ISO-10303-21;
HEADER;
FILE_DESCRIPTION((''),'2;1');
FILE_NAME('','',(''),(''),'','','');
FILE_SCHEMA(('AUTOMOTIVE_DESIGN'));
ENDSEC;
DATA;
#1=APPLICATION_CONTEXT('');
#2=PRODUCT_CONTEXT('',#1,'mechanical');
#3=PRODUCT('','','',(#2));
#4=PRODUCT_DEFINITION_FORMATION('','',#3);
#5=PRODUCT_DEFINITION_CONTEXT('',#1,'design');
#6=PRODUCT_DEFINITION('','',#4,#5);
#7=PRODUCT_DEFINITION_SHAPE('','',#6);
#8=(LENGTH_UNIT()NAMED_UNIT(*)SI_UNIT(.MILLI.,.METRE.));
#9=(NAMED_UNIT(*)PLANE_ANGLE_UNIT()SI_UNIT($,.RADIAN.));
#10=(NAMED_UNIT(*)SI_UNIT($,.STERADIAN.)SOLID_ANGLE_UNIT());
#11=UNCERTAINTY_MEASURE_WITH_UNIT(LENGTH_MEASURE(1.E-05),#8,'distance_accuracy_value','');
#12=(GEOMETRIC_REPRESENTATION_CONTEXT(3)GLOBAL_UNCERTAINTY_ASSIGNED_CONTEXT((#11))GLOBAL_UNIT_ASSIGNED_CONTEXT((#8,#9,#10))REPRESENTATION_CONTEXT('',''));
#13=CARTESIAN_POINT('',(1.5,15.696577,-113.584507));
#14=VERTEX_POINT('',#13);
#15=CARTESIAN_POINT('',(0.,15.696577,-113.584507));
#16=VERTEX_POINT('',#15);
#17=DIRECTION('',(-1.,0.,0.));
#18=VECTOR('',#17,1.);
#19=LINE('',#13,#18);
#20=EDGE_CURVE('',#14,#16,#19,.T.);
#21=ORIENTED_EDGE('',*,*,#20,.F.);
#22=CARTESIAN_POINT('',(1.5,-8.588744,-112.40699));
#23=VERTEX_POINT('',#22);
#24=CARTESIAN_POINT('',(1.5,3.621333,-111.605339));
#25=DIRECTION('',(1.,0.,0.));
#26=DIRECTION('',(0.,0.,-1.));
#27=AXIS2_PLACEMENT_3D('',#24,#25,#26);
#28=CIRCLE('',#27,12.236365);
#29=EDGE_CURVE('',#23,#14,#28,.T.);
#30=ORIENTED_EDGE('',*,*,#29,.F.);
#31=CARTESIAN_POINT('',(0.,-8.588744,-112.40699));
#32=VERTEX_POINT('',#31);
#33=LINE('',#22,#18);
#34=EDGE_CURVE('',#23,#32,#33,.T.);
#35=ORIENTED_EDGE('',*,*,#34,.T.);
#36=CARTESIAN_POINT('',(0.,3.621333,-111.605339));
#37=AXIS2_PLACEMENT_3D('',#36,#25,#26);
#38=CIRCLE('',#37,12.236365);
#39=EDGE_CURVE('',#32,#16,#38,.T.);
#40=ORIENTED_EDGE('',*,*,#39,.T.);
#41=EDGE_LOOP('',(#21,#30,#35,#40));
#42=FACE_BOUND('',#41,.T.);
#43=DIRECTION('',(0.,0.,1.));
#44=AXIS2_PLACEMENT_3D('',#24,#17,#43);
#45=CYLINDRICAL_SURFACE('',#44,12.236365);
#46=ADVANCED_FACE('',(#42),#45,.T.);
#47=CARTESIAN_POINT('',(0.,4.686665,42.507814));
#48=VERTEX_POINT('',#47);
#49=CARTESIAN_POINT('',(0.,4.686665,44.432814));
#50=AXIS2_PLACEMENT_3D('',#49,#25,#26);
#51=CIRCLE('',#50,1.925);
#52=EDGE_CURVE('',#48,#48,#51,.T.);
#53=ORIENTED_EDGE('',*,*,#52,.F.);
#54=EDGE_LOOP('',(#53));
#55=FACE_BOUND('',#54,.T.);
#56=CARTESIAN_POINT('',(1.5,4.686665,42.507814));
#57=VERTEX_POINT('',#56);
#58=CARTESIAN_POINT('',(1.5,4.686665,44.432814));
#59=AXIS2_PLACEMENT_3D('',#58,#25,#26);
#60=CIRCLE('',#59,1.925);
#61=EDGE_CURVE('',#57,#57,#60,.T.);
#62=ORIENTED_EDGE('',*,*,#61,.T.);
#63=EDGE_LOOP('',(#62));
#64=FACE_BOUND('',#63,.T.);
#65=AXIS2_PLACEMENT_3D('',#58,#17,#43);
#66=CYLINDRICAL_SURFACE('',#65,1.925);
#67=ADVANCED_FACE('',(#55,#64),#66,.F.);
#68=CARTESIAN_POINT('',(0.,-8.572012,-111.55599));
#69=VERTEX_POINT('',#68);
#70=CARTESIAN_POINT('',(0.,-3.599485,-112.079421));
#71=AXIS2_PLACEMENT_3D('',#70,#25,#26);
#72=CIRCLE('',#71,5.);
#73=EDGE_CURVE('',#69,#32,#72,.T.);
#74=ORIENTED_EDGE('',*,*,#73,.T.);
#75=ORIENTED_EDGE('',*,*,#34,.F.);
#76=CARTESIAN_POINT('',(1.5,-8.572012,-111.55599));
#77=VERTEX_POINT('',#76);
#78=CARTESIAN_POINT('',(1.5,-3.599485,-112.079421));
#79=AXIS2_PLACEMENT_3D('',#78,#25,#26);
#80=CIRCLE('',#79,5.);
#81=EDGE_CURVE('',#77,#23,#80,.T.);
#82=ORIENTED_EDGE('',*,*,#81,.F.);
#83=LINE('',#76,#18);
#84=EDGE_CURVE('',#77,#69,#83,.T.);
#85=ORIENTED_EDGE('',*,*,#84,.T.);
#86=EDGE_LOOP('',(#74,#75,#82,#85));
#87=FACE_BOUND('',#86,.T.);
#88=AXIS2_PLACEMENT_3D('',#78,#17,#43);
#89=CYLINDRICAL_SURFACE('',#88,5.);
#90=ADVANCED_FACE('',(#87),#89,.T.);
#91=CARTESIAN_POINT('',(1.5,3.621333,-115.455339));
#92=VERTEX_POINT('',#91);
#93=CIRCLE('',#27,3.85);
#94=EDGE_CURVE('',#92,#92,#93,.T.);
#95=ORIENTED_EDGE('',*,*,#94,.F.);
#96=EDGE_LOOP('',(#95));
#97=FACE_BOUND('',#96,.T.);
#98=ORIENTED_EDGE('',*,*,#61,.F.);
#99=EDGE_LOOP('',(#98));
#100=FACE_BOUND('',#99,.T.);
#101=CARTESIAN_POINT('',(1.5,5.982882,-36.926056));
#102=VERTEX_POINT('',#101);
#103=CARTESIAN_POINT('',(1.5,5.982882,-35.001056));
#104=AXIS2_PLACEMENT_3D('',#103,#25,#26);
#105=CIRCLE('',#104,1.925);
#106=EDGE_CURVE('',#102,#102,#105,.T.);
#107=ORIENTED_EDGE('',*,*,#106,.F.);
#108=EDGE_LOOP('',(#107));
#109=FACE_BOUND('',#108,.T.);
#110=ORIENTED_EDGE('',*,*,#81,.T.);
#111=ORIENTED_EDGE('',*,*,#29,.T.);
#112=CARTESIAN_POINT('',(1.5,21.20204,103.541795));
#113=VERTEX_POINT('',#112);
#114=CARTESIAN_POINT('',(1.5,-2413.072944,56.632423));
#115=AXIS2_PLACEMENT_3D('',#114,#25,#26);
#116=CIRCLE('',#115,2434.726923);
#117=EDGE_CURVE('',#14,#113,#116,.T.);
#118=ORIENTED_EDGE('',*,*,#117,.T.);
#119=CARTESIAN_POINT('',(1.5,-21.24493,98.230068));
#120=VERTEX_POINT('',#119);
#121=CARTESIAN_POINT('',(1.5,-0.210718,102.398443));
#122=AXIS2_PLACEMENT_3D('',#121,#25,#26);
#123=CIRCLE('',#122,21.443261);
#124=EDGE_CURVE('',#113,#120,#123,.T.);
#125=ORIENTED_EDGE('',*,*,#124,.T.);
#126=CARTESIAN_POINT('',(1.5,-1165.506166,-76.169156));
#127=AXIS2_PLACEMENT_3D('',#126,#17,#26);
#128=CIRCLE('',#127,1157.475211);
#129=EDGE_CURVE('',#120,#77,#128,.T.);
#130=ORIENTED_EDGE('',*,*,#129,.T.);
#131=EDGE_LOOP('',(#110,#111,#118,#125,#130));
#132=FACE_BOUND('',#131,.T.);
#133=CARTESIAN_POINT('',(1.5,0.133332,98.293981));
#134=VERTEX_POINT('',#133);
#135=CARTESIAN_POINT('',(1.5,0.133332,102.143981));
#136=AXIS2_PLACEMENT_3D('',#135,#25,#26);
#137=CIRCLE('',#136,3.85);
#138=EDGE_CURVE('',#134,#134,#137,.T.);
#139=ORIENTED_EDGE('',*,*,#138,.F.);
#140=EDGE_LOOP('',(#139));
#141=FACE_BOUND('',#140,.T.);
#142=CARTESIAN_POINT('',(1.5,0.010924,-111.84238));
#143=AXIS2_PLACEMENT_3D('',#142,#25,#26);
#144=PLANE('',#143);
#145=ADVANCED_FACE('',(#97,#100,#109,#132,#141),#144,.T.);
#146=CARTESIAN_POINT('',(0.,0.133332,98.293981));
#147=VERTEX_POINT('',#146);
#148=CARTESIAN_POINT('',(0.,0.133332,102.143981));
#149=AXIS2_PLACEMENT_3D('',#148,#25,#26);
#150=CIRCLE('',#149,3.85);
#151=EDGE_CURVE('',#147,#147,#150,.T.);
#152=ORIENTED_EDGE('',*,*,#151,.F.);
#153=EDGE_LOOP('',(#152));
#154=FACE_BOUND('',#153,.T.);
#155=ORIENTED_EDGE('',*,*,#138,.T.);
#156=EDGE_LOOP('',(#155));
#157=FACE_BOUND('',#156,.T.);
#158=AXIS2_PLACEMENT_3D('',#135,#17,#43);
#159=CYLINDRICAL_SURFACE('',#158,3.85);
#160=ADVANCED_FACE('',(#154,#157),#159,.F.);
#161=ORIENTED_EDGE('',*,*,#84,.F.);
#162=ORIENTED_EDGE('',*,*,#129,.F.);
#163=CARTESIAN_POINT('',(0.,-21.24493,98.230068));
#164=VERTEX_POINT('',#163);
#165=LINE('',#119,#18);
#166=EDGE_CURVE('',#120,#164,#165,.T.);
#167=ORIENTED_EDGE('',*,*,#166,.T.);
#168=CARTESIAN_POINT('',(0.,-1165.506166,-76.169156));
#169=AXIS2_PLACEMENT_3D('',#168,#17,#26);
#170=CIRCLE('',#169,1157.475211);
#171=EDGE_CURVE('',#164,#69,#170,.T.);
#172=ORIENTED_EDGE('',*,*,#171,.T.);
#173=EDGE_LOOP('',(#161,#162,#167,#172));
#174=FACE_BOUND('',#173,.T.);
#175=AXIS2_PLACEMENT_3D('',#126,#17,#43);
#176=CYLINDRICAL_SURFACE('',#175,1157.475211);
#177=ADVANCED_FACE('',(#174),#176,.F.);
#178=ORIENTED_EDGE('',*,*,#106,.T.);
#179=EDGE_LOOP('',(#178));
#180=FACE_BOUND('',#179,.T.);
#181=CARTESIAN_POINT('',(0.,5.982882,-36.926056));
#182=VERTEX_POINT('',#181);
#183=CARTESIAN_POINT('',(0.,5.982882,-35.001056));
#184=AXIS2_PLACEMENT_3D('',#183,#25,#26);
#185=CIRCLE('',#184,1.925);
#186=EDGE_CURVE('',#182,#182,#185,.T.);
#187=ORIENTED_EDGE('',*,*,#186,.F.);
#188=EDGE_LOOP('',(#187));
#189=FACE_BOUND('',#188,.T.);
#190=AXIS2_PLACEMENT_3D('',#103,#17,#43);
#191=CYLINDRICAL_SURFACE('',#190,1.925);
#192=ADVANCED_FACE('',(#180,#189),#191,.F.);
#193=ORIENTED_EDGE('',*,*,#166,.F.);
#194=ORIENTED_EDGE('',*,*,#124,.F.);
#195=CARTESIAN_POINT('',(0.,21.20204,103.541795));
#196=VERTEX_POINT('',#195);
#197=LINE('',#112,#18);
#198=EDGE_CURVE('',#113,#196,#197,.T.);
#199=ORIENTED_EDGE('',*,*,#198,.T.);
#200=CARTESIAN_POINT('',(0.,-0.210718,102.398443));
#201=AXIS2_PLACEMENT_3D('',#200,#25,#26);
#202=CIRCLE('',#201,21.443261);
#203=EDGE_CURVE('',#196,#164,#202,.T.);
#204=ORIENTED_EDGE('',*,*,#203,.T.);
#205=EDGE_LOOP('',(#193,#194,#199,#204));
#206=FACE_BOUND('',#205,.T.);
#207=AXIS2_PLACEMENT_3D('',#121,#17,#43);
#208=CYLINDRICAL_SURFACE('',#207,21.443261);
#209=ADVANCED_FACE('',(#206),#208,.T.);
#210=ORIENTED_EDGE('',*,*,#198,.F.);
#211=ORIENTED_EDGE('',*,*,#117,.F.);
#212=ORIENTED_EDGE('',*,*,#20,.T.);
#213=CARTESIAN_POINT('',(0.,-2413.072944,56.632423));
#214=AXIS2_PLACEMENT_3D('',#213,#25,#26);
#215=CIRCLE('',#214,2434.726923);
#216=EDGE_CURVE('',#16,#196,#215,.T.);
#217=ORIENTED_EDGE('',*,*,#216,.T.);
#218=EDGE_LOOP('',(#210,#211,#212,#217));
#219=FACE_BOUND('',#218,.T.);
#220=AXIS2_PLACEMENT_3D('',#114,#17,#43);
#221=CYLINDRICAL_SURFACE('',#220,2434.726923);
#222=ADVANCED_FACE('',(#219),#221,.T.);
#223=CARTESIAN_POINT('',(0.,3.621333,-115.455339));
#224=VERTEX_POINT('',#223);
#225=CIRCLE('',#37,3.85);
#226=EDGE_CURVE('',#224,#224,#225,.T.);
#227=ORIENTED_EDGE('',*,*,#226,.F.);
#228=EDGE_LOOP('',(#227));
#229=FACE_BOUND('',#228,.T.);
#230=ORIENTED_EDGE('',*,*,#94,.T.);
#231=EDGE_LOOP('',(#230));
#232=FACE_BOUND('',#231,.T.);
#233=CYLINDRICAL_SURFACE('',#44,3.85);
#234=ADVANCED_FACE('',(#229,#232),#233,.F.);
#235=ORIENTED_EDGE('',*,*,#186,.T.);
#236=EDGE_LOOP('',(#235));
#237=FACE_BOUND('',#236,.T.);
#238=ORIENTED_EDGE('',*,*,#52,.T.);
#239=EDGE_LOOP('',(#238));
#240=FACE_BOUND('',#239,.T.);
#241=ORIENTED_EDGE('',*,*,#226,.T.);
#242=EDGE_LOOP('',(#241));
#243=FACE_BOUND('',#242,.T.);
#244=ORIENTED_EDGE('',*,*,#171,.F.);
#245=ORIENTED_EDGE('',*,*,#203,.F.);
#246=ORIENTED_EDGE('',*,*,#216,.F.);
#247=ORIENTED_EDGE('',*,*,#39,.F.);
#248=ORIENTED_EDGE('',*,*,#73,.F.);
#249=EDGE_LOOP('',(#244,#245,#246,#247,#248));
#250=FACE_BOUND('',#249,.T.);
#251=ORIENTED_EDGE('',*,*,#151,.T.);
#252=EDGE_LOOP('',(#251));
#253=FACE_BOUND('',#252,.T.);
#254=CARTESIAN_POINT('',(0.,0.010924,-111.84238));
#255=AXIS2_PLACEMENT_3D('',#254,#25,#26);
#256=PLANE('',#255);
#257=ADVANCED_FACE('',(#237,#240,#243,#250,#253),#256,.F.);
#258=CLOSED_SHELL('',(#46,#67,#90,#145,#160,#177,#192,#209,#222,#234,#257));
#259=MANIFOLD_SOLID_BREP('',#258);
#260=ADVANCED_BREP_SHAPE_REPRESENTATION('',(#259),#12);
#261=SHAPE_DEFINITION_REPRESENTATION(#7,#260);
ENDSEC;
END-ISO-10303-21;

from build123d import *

# Parameters (mm, degrees)
SKETCH_1_R      = 3.85
SKETCH_1_R_2    = 1.925
EXTRUDE_1_DEPTH = 1.5


with BuildPart() as part:
    # 草圖1 → 填料-伸長1 (new body)
    with BuildSketch(Plane(origin=(0, 0, 0), x_dir=(0, 0, -1), z_dir=(1, 0, 0))):
        with BuildLine():
            ThreePointArc((111.555989952, -8.572011863), (6.374730125, -10.137132711), (-98.230068302, -21.244930328))
            ThreePointArc((-98.230068302, -21.244930328), (-123.67575498, -2.873316644), (-103.541794939, 21.20204032))
            ThreePointArc((-103.541794939, 21.20204032), (5.082777822, 20.871677912), (113.584507189, 15.696576829))
            ThreePointArc((113.584507189, 15.696576829), (123.827345593, 3.028727453), (112.406990492, -8.588743688))
            ThreePointArc((112.406990492, -8.588743688), (111.981133536, -8.59851924), (111.555989952, -8.572011863))
        make_face()
        with Locations((-102.143981395, 0.133331517)):
            Circle(SKETCH_1_R, mode=Mode.SUBTRACT)
        with Locations((35.001055541, 5.982881827)):
            Circle(SKETCH_1_R_2, mode=Mode.SUBTRACT)
        with Locations((-44.432813653, 4.686665047)):
            Circle(SKETCH_1_R_2, mode=Mode.SUBTRACT)
        with Locations((111.605339346, 3.621333032)):
            Circle(SKETCH_1_R, mode=Mode.SUBTRACT)
    extrude(amount=EXTRUDE_1_DEPTH)


solid = part.part
